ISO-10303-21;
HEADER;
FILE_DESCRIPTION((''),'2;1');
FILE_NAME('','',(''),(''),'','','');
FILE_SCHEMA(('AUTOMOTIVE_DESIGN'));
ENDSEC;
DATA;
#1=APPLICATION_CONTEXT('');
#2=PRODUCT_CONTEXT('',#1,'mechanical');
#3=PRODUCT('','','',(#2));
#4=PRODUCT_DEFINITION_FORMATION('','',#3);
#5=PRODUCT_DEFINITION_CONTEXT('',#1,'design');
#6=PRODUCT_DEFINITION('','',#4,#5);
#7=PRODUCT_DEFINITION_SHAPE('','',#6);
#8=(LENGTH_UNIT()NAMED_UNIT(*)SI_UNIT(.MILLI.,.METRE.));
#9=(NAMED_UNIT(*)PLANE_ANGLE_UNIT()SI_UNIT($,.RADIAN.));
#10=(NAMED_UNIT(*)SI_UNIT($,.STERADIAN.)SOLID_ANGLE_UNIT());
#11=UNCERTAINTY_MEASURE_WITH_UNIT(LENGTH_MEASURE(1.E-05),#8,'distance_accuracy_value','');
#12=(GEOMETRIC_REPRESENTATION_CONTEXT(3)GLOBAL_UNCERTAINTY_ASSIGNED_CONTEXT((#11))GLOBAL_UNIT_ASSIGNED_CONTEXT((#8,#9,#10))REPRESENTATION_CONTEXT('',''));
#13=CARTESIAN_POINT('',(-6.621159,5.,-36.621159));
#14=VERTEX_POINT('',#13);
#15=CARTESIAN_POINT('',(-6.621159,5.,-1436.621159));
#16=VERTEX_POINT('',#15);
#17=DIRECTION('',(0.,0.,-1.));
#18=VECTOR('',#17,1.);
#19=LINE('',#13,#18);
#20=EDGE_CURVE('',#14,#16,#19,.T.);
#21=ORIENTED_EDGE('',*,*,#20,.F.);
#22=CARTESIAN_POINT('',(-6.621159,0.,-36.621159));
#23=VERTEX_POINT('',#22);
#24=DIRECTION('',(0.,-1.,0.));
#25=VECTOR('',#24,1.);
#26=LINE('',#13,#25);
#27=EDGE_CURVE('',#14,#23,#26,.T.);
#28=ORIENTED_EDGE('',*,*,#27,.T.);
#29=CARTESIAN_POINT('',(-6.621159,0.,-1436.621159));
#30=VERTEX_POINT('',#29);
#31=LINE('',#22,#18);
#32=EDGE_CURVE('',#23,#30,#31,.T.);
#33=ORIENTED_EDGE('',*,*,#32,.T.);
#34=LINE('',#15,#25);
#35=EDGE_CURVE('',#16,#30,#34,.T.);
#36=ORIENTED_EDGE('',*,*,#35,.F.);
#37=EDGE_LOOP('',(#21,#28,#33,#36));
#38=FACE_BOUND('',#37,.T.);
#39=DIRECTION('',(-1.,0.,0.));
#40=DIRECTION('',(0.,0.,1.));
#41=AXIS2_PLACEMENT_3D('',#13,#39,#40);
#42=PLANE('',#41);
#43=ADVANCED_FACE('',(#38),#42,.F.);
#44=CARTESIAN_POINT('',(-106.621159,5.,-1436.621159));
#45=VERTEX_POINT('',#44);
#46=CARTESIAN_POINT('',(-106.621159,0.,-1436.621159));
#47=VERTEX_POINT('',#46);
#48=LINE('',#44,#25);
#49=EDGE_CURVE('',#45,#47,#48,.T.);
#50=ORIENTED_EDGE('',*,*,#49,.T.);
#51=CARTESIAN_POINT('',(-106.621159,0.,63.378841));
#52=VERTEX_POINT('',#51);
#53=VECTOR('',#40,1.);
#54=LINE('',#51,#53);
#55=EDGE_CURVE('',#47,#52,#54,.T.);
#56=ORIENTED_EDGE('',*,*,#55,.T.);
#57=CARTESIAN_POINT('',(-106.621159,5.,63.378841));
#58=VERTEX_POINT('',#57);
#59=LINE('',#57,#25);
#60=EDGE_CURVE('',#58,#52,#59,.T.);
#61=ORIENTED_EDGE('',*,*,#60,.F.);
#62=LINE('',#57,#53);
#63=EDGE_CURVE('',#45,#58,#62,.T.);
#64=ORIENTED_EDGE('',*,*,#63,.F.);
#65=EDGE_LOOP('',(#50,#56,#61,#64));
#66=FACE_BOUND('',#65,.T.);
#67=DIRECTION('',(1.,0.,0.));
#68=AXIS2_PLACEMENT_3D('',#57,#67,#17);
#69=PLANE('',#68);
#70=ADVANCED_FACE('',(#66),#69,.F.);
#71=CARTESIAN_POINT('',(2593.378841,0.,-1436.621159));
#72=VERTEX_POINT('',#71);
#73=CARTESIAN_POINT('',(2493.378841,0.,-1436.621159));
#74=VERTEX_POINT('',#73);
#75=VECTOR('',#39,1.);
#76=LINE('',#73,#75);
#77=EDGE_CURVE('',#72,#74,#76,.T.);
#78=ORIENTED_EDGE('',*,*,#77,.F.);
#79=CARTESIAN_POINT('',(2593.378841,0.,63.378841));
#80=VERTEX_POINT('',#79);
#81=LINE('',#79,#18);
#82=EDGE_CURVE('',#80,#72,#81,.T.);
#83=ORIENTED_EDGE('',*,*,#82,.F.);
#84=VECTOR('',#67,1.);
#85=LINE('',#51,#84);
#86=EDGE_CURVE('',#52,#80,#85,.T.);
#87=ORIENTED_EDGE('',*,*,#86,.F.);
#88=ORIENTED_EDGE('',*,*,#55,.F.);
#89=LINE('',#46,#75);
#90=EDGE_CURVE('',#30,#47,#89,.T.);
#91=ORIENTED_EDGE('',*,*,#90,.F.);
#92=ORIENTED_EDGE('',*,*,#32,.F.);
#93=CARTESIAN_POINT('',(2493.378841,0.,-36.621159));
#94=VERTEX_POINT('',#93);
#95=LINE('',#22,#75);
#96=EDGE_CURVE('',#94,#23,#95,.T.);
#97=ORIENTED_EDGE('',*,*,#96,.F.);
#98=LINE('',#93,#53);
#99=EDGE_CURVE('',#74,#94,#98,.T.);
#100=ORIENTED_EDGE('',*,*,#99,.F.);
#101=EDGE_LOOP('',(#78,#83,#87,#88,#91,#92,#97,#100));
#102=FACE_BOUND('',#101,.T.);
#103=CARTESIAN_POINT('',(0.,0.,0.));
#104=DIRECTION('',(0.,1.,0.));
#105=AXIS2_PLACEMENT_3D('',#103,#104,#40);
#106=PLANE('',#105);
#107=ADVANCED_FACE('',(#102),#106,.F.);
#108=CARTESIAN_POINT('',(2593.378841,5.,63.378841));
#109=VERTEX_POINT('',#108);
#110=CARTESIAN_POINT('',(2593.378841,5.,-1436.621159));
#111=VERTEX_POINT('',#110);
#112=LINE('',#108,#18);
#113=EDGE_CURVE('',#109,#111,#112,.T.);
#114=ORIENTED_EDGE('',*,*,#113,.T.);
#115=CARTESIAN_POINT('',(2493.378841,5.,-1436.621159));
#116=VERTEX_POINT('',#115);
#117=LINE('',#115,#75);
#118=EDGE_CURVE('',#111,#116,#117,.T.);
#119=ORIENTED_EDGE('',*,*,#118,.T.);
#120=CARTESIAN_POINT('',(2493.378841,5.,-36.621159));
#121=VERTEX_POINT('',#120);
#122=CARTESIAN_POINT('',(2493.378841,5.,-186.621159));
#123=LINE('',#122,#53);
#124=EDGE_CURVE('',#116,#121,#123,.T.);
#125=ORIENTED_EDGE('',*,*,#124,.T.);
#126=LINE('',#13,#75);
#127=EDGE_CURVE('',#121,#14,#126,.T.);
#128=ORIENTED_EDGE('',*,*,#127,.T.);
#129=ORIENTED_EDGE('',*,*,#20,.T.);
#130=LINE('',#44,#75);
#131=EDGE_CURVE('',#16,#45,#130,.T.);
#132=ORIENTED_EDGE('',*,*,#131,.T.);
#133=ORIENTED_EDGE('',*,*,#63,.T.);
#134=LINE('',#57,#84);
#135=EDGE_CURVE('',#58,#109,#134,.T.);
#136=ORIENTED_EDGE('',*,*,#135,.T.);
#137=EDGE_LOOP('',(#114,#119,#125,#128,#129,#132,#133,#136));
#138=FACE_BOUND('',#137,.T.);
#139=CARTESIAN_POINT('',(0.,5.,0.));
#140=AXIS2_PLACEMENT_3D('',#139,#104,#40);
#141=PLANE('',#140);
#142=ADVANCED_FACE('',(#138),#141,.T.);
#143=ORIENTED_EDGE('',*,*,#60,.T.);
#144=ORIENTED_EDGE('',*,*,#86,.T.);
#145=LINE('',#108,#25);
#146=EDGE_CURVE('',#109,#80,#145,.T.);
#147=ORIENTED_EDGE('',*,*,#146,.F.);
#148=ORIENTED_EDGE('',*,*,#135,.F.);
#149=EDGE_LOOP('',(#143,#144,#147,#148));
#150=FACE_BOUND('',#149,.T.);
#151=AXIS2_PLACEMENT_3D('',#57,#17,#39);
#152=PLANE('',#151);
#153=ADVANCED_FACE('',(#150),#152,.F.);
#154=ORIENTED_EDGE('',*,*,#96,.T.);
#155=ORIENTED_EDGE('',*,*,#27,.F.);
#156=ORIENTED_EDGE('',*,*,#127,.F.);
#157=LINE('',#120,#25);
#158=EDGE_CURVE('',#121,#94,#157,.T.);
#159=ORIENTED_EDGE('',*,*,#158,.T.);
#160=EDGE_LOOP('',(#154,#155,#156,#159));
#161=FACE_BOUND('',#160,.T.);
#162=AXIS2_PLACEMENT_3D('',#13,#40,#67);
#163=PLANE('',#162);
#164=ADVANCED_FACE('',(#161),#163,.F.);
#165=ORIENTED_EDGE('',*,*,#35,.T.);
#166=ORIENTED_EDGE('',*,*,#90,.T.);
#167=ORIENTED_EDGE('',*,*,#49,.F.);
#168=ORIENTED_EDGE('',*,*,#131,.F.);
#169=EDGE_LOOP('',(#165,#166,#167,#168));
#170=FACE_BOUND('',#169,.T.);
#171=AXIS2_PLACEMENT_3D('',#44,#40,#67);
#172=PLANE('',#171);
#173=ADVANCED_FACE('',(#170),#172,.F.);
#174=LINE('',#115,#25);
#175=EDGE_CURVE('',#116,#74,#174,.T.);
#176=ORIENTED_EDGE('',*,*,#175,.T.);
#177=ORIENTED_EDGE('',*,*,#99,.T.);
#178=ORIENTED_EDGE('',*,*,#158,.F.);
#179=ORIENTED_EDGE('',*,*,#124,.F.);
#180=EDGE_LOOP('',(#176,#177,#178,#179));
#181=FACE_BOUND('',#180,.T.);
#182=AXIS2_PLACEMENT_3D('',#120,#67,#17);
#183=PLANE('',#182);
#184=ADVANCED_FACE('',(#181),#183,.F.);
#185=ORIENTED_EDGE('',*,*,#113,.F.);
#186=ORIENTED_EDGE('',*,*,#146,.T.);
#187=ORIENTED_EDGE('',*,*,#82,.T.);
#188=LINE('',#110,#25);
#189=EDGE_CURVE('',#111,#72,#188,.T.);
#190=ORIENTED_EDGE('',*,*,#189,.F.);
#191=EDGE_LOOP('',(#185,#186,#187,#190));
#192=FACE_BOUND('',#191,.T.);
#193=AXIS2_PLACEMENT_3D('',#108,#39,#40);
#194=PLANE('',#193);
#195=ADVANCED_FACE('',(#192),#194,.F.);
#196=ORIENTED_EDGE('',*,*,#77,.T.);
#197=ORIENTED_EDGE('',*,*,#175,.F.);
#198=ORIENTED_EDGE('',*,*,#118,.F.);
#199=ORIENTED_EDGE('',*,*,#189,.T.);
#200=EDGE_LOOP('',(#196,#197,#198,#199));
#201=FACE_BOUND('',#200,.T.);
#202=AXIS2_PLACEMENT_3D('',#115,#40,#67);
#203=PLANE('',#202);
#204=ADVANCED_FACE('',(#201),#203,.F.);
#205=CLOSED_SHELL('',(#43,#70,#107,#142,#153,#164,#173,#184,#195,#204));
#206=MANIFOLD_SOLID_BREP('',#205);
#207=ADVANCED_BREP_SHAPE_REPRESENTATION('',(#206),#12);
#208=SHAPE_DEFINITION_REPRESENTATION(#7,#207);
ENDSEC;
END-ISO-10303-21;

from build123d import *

# Parameters (mm, degrees)
BOSS_EXTRUDE1_DEPTH = 5


with BuildPart() as part:
    # Sketch1 → Boss-Extrude1 (new body)
    with BuildSketch(Plane(origin=(0, 0, 0), x_dir=(1, 0, 0), z_dir=(0, 1, 0))):
        Polygon((-106.62115926, -63.37884074), (2593.37884074, -63.37884074), (2593.37884074, 1436.62115926), (2493.37884074, 1436.62115926), (2493.37884074, 186.62115926), (2493.37884074, 36.62115926), (-6.62115926, 36.62115926), (-6.62115926, 1436.62115926), (-106.62115926, 1436.62115926), align=None)
    extrude(amount=BOSS_EXTRUDE1_DEPTH)


solid = part.part
